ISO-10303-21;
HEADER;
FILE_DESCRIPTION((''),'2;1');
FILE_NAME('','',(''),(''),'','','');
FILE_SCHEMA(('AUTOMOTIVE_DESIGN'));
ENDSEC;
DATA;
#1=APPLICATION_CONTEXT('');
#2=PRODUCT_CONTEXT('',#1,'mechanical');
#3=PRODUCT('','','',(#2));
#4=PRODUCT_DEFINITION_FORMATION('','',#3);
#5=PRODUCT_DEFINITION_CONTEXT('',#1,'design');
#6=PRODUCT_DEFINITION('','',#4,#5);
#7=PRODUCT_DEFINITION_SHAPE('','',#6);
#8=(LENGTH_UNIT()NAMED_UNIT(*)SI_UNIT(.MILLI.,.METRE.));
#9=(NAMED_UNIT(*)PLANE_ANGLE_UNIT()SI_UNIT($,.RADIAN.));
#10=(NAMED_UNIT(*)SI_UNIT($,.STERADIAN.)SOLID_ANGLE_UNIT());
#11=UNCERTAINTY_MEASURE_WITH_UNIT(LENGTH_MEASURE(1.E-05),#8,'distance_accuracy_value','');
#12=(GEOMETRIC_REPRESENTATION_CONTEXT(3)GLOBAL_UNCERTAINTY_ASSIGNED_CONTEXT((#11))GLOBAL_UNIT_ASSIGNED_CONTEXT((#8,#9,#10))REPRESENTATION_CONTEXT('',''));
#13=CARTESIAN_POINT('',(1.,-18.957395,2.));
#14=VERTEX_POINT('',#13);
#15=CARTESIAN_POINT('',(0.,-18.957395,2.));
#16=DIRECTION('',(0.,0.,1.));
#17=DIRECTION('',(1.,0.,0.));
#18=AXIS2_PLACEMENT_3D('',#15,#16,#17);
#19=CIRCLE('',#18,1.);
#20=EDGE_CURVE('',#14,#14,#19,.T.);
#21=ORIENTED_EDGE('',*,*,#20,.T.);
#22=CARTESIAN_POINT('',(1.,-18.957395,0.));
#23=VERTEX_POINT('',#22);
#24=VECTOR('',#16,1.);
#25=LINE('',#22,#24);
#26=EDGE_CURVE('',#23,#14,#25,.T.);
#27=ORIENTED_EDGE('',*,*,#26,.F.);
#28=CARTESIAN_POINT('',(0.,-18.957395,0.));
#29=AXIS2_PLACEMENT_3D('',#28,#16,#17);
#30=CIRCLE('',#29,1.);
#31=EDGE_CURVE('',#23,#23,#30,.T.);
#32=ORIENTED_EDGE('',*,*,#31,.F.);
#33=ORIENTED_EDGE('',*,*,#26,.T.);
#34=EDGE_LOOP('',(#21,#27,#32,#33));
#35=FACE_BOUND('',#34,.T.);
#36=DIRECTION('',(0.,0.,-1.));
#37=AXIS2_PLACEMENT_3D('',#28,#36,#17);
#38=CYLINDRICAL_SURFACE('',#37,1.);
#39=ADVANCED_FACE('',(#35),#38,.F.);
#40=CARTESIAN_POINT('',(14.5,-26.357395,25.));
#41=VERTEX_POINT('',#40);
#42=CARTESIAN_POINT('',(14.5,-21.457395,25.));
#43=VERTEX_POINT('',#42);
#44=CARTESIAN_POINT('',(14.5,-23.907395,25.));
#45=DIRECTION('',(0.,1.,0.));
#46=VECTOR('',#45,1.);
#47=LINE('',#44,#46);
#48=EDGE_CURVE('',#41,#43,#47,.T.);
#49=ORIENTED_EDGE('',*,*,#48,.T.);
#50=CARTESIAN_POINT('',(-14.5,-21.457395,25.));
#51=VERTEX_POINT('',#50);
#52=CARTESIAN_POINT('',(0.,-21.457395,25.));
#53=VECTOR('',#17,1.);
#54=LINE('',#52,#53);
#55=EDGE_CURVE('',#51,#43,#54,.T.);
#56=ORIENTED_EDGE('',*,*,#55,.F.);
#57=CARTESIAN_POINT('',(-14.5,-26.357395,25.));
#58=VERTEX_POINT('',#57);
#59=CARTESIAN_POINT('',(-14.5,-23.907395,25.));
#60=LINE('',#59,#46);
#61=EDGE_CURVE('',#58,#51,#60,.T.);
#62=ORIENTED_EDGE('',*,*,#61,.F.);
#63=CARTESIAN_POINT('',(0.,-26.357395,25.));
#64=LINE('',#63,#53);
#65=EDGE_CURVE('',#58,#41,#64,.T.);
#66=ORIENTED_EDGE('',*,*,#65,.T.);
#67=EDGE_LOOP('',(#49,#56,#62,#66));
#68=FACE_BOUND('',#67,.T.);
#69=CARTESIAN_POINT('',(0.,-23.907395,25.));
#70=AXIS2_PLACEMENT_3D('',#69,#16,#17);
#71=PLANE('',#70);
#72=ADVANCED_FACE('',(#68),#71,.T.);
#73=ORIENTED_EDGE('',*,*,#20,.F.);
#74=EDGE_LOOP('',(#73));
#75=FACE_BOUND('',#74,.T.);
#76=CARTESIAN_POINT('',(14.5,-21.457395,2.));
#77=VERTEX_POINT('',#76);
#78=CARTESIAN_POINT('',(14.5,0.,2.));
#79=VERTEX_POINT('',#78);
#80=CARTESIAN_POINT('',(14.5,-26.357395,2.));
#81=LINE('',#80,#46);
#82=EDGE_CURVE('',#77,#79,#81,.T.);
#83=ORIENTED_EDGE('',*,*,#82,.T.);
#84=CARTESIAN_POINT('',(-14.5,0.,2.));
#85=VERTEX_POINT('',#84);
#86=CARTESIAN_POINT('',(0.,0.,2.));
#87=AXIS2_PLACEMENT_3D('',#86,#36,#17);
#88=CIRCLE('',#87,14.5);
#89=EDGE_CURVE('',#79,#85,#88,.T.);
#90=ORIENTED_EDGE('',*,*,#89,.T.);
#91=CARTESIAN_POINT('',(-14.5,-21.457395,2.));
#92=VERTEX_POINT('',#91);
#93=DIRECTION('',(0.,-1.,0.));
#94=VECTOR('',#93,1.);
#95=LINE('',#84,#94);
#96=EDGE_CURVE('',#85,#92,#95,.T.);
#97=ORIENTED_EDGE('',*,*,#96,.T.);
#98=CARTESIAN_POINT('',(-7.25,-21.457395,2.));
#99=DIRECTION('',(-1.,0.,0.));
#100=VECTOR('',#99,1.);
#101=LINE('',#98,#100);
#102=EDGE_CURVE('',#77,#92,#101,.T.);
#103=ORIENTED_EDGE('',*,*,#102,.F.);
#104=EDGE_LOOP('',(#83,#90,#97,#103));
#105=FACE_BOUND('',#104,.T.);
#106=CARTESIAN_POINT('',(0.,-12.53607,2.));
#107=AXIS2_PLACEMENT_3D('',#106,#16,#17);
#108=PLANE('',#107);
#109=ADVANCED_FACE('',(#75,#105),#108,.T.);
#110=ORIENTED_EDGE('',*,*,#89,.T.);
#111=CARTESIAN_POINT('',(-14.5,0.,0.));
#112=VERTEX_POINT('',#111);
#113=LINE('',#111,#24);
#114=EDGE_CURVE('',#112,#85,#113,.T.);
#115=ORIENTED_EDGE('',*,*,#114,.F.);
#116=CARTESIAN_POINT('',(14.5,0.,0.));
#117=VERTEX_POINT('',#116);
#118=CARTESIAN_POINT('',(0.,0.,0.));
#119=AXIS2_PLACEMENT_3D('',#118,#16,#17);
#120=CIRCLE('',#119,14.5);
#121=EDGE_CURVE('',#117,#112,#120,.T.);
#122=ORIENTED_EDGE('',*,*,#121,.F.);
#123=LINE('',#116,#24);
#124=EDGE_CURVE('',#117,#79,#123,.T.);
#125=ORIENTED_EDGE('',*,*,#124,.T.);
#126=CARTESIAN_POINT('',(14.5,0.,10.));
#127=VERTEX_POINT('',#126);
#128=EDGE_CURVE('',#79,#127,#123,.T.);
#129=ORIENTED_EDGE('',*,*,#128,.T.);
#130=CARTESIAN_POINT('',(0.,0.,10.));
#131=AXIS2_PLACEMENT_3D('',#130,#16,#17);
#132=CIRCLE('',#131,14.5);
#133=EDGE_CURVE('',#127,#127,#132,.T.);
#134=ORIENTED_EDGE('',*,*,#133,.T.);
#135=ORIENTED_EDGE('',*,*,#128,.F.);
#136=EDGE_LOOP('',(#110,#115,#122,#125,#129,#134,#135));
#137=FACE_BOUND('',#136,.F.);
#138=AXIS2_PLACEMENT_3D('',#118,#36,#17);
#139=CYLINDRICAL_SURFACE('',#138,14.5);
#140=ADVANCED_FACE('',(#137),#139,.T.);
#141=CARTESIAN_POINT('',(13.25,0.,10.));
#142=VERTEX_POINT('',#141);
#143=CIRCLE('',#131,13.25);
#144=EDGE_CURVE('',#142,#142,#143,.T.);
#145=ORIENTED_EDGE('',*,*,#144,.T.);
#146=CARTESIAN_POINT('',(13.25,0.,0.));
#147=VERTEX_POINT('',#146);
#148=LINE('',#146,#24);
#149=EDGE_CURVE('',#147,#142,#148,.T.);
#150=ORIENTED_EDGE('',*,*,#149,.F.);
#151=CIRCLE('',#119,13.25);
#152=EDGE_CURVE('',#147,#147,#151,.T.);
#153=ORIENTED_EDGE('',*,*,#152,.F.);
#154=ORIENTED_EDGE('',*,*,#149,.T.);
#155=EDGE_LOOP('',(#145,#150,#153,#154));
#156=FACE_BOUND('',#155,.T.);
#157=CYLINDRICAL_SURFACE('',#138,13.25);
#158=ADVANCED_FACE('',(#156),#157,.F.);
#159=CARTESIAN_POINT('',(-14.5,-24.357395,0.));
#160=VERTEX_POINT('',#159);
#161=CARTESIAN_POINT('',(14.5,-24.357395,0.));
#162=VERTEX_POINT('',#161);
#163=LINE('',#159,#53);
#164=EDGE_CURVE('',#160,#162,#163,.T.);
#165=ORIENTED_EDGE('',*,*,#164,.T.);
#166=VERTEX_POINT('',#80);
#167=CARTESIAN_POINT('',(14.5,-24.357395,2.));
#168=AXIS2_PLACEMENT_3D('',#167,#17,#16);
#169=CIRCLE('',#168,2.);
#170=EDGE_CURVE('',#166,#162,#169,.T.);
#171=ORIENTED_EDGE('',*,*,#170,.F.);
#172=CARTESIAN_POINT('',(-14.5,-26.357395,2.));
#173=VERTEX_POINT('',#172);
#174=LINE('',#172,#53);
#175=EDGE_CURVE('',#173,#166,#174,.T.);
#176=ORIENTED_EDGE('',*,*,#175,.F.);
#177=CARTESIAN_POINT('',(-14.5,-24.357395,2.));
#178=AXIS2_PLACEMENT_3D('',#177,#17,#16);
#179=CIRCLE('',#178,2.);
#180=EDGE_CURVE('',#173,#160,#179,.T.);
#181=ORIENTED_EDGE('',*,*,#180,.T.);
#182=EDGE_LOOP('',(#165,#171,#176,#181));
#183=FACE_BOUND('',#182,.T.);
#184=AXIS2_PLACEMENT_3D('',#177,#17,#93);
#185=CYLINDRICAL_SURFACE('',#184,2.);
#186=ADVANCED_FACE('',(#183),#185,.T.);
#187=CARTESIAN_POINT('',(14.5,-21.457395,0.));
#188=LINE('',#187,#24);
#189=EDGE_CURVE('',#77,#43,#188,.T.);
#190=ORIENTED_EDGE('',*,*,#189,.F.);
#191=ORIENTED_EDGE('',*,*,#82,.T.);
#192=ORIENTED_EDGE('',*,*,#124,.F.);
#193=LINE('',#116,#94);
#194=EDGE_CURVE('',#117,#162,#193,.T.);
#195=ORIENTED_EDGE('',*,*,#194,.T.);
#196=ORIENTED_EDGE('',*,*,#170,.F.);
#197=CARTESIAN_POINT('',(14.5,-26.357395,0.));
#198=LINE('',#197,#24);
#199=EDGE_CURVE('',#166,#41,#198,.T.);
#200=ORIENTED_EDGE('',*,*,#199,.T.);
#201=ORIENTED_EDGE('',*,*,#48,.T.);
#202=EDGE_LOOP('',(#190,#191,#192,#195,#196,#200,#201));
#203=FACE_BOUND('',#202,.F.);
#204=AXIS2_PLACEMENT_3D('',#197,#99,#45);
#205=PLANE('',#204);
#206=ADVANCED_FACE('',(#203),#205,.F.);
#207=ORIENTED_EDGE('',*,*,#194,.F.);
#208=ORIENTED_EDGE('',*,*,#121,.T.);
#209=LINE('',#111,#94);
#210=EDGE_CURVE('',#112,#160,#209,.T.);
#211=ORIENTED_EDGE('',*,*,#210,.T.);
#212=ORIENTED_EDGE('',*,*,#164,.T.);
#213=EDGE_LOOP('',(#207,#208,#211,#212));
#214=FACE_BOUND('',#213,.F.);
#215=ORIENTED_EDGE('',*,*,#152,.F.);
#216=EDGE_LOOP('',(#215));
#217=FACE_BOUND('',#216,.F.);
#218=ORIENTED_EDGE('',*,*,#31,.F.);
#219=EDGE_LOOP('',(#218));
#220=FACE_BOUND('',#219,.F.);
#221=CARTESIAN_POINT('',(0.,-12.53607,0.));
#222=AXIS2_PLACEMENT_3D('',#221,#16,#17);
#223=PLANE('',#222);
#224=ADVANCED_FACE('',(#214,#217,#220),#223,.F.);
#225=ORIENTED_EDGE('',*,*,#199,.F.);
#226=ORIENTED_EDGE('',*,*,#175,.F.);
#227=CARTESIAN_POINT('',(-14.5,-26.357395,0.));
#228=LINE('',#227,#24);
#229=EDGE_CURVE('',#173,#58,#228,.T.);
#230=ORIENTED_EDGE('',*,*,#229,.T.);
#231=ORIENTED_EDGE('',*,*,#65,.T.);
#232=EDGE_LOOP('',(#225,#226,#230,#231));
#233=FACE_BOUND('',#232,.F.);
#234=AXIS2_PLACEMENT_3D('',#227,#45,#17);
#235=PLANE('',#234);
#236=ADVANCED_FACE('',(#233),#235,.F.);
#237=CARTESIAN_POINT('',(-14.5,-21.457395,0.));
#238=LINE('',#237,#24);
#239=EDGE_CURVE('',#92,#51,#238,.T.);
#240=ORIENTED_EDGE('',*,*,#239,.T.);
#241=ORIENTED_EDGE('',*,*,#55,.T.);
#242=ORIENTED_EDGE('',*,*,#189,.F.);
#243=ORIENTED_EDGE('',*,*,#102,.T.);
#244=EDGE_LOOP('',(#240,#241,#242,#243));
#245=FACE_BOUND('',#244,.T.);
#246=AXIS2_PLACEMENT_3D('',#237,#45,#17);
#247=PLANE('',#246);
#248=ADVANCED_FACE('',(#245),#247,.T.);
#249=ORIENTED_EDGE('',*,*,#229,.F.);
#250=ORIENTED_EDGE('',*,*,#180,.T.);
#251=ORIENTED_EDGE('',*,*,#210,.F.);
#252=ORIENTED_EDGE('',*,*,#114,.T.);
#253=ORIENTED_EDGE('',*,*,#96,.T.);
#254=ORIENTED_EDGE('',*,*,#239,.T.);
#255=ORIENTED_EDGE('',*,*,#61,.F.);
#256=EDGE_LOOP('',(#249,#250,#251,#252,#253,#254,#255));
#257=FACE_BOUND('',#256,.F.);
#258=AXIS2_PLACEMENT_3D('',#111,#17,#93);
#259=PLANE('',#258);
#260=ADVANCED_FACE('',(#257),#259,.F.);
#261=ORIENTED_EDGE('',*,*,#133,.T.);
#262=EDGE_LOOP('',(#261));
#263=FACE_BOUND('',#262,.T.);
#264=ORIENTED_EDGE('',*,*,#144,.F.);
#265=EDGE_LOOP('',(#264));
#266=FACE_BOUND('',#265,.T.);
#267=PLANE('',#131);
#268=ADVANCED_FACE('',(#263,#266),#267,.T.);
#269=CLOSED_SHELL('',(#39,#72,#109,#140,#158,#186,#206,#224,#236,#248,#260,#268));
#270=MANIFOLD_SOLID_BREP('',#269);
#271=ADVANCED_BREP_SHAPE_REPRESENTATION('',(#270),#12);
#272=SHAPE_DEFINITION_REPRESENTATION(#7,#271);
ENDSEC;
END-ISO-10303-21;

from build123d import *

# Parameters (mm, degrees)
F0_R     = 13.25
F1_DEPTH = 10
F0_R_2   = 1
F0_W     = 29
F0_H     = 4.9
F2_DEPTH = 2
F3_DEPTH = 25
F4_R     = 2


with BuildPart() as f1:
    # F0 (on Top) → F1 (new body)
    with BuildSketch(Plane.XY):
        with BuildLine():
            ThreePointArc((-14.5, 0), (0, -14.5), (14.5, 0))
            ThreePointArc((14.5, 0), (0, 14.5), (-14.5, 0))
        make_face()
        Circle(F0_R, mode=Mode.SUBTRACT)
    extrude(amount=F1_DEPTH)

    # F0 (on Top) → F2 (join)
    with BuildSketch(Plane.XY):
        with BuildLine():
            Line((14.5, -21.457395), (14.5, 0))
            ThreePointArc((14.5, 0), (0, -14.5), (-14.5, 0))
            Line((-14.5, 0), (-14.5, -21.457395))
            Line((-14.5, -21.457395), (14.5, -21.457395))
        make_face()
        with Locations((0, -18.957395)):
            Circle(F0_R_2, mode=Mode.SUBTRACT)
        with Locations((0, -23.907395)):
            Rectangle(F0_W, F0_H)
    extrude(amount=F2_DEPTH)

    # F0 (on Top) → F3 (join)
    with BuildSketch(Plane.XY):
        with Locations((0, -23.907395)):
            Rectangle(F0_W, F0_H)
    extrude(amount=F3_DEPTH)

    # F4
    f4_edges = [f1.edges().sort_by_distance(p)[0] for p in [
        (0, -26.357395, 0),
    ]]
    fillet(f4_edges, radius=F4_R)


solid = f1.part
